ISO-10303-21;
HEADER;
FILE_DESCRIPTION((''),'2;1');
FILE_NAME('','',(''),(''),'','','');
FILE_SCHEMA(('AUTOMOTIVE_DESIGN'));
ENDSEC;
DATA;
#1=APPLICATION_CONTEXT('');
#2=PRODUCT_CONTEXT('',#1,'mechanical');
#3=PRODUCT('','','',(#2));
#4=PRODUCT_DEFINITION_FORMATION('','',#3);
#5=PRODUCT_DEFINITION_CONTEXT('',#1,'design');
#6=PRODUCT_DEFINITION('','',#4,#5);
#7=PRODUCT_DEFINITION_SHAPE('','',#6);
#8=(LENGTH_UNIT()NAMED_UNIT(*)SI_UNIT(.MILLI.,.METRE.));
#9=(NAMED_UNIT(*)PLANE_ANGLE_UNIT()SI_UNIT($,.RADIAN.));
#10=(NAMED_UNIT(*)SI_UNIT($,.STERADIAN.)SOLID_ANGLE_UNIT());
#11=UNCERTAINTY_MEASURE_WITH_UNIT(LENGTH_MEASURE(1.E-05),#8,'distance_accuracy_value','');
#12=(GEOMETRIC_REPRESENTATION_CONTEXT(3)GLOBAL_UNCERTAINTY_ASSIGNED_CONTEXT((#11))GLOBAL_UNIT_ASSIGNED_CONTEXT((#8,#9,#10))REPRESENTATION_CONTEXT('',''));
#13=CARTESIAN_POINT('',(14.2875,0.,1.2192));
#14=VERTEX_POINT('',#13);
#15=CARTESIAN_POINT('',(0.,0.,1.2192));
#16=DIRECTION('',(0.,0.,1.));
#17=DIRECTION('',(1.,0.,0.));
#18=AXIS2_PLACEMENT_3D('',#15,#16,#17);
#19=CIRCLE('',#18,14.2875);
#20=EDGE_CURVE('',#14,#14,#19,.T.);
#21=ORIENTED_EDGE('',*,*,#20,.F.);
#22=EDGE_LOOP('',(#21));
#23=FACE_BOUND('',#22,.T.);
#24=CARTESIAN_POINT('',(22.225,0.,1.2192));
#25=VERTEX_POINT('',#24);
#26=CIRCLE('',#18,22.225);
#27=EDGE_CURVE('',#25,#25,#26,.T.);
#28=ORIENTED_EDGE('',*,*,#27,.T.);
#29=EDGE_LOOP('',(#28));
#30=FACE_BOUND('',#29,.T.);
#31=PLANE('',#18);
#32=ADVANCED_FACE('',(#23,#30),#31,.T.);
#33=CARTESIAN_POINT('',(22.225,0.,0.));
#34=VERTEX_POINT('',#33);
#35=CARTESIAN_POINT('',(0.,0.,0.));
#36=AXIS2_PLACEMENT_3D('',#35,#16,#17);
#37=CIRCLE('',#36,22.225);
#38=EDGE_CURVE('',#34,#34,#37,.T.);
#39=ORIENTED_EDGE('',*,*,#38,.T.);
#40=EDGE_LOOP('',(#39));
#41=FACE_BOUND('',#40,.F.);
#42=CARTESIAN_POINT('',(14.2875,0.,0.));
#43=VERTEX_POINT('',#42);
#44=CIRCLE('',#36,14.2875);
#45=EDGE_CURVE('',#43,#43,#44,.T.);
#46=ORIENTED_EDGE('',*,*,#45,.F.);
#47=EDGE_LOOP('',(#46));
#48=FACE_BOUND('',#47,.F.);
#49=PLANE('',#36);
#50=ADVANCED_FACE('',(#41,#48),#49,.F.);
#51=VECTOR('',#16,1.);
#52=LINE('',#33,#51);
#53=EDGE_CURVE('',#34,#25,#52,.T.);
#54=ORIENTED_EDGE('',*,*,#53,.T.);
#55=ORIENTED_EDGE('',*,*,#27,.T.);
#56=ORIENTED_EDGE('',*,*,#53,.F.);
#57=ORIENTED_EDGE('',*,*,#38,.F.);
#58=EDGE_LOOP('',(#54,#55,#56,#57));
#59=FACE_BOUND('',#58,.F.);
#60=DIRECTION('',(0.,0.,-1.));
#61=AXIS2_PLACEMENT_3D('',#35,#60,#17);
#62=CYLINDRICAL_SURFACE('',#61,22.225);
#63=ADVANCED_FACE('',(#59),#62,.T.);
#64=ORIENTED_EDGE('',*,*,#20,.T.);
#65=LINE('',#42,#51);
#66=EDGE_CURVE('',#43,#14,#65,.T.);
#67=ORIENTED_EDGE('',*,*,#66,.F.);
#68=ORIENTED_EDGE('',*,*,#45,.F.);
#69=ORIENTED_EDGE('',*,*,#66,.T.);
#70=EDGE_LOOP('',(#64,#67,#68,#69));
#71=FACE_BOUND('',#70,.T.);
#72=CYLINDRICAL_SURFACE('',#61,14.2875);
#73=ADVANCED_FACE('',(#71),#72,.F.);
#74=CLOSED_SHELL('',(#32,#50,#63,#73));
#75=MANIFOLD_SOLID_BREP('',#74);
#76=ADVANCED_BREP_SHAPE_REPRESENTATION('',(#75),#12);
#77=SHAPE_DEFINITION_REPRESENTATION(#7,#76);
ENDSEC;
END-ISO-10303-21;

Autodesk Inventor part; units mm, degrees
ref_plane "YZ Plane" through (0, 0, 0) normal (1, 0, 0) x (0, 1, 0)
ref_plane "XZ Plane" through (0, 0, 0) normal (0, 1, 0) x (-1, 0, 0)
ref_plane "XY Plane" through (0, 0, 0) normal (0, 0, 1) x (1, 0, 0)
sketch "Sketch1" plane through (0, 0, 0) normal (0, 0, 1) x (1, 0, 0)
  circle A0 centre (0, 0) radius 14.2875
  circle A1 centre (0, 0) radius 22.225
  dimension "d0" = 28.575
  dimension "d1" = 44.45
extrude "Extrusion1" add sketch "Sketch1" along normal blind 1.2192
properties part number "FLY_007_MachineBushing_MM_97063A116" material "Steel, Alloy"
